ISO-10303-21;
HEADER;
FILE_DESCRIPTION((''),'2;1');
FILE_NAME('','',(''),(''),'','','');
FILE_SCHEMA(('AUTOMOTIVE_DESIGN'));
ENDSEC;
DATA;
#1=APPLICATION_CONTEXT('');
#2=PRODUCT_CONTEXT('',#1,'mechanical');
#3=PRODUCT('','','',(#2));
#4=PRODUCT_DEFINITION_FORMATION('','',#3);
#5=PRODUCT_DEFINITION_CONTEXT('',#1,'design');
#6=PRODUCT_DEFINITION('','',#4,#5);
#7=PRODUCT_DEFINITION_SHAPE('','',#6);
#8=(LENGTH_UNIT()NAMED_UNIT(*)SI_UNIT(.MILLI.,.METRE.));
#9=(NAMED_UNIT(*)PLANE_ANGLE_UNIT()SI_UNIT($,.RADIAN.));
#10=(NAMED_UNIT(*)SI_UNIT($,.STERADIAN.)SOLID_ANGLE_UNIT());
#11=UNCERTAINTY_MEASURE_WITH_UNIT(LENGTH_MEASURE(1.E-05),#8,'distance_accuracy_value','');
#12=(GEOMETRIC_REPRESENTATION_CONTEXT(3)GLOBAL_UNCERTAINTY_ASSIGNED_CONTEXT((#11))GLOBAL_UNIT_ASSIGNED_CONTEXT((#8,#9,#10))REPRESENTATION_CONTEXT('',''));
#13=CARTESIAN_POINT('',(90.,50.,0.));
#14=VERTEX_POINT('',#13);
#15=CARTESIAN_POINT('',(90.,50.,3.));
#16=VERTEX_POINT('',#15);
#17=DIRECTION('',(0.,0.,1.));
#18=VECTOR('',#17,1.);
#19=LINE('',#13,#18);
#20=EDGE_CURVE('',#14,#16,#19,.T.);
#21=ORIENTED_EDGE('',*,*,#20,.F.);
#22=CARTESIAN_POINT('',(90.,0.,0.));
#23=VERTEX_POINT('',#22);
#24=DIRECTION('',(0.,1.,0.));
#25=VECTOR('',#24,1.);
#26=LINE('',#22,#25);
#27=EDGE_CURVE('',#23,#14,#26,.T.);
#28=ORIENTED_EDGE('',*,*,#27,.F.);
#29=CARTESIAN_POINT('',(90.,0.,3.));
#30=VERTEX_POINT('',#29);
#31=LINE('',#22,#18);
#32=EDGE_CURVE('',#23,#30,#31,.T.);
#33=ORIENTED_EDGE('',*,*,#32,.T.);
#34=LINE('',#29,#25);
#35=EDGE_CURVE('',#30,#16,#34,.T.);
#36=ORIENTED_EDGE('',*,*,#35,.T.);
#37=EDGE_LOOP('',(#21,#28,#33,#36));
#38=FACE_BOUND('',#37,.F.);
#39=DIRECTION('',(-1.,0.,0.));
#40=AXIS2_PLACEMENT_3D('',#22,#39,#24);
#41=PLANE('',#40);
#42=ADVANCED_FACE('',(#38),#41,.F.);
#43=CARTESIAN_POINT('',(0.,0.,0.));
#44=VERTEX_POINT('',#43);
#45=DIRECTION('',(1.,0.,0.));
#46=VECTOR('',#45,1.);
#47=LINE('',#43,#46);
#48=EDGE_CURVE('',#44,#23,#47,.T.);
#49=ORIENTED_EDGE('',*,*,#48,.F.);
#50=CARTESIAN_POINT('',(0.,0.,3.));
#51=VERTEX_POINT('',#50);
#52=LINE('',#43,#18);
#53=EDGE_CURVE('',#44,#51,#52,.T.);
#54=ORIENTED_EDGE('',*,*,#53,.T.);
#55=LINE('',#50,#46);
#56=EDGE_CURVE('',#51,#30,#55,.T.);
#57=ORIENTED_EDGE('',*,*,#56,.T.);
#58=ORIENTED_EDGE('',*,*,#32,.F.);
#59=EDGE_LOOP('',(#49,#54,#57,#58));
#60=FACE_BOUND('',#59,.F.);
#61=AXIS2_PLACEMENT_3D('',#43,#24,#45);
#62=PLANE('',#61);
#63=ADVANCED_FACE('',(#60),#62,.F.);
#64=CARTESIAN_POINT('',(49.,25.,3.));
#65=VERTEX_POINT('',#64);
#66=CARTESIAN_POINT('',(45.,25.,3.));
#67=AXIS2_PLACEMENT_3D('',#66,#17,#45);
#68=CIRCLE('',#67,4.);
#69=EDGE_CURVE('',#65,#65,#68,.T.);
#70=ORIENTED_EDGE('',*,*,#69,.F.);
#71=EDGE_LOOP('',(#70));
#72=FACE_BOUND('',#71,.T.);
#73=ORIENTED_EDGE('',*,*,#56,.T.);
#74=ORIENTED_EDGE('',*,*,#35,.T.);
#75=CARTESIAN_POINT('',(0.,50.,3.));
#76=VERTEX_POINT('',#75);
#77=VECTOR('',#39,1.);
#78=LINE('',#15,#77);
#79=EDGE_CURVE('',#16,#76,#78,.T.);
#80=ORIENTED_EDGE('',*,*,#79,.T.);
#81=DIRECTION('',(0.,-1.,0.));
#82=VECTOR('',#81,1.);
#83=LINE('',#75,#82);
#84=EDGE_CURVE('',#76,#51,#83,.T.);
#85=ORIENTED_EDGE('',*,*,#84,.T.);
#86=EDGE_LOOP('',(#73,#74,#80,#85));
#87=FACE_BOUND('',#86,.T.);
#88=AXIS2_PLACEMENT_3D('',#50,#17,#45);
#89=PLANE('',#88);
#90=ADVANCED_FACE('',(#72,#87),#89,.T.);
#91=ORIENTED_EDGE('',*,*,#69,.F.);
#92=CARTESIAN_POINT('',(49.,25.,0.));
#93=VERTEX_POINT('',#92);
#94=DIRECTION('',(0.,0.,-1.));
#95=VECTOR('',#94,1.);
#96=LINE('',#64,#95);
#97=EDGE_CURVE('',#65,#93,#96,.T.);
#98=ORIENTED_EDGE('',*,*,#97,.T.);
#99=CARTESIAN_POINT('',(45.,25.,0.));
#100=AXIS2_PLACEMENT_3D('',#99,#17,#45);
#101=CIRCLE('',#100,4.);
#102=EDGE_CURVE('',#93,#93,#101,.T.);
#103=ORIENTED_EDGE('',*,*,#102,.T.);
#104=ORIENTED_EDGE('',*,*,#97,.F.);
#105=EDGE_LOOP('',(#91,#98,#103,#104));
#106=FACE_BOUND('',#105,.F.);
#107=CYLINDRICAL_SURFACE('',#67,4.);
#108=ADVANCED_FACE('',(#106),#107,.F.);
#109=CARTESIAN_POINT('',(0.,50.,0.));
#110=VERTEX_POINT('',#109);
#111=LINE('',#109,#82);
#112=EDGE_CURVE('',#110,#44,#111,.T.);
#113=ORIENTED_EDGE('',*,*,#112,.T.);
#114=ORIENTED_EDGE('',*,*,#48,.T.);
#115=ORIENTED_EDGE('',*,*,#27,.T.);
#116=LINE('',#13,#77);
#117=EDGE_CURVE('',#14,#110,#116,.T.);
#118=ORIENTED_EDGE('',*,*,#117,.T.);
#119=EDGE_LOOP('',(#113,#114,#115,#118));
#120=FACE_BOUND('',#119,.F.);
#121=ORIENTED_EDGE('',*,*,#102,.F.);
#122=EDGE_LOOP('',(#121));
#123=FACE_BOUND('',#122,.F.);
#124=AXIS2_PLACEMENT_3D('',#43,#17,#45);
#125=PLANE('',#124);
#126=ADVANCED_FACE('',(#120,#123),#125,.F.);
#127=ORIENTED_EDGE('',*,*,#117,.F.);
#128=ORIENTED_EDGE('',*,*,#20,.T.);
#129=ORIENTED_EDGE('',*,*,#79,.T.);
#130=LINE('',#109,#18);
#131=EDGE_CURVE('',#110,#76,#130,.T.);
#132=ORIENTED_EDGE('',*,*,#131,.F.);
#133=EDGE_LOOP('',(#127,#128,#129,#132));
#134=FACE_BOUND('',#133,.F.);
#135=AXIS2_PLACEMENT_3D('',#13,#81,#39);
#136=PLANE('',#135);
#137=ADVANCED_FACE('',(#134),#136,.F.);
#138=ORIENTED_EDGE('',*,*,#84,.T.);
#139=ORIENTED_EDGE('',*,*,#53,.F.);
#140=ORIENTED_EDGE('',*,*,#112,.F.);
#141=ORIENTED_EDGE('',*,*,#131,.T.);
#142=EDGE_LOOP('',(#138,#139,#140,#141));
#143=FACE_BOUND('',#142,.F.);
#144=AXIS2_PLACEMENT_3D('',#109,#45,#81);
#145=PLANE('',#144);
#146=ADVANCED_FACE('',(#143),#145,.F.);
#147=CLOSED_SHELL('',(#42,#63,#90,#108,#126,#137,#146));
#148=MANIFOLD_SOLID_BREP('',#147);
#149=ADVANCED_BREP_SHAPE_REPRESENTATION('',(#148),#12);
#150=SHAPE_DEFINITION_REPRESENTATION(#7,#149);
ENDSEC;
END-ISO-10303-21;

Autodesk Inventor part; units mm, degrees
ref_plane "YZ Plane" through (0, 0, 0) normal (1, 0, 0) x (0, 1, 0)
ref_plane "XZ Plane" through (0, 0, 0) normal (0, 1, 0) x (-1, 0, 0)
ref_plane "XY Plane" through (0, 0, 0) normal (0, 0, 1) x (1, 0, 0)
sketch "スケッチ1" plane through (0, 0, 0) normal (0, 0, 1) x (1, 0, 0)
  line L0 (0, 0) -> (90, 0)
  line L1 (90, 0) -> (90, 50)
  line L2 (90, 50) -> (0, 50)
  line L3 (0, 50) -> (0, 0)
  dimension "d0" = 90
  dimension "d1" = 50
extrude "押し出し1" add sketch "スケッチ1" along normal blind 3
sketch "スケッチ2" plane through (0, 0, 3) normal (0, 0, 1) x (1, 0, 0)
  circle A0 centre (45, 25) radius 4
  line L0 (0, 0) -> (90, 0) projected
  line L1 (0, 50) -> (0, 0) projected
  dimension "d4" = 8
  dimension "d5" = 25
  dimension "d6" = 45
extrude "押し出し2" cut sketch "スケッチ2" against normal blind 3
properties part number "NHK_t0_8"
